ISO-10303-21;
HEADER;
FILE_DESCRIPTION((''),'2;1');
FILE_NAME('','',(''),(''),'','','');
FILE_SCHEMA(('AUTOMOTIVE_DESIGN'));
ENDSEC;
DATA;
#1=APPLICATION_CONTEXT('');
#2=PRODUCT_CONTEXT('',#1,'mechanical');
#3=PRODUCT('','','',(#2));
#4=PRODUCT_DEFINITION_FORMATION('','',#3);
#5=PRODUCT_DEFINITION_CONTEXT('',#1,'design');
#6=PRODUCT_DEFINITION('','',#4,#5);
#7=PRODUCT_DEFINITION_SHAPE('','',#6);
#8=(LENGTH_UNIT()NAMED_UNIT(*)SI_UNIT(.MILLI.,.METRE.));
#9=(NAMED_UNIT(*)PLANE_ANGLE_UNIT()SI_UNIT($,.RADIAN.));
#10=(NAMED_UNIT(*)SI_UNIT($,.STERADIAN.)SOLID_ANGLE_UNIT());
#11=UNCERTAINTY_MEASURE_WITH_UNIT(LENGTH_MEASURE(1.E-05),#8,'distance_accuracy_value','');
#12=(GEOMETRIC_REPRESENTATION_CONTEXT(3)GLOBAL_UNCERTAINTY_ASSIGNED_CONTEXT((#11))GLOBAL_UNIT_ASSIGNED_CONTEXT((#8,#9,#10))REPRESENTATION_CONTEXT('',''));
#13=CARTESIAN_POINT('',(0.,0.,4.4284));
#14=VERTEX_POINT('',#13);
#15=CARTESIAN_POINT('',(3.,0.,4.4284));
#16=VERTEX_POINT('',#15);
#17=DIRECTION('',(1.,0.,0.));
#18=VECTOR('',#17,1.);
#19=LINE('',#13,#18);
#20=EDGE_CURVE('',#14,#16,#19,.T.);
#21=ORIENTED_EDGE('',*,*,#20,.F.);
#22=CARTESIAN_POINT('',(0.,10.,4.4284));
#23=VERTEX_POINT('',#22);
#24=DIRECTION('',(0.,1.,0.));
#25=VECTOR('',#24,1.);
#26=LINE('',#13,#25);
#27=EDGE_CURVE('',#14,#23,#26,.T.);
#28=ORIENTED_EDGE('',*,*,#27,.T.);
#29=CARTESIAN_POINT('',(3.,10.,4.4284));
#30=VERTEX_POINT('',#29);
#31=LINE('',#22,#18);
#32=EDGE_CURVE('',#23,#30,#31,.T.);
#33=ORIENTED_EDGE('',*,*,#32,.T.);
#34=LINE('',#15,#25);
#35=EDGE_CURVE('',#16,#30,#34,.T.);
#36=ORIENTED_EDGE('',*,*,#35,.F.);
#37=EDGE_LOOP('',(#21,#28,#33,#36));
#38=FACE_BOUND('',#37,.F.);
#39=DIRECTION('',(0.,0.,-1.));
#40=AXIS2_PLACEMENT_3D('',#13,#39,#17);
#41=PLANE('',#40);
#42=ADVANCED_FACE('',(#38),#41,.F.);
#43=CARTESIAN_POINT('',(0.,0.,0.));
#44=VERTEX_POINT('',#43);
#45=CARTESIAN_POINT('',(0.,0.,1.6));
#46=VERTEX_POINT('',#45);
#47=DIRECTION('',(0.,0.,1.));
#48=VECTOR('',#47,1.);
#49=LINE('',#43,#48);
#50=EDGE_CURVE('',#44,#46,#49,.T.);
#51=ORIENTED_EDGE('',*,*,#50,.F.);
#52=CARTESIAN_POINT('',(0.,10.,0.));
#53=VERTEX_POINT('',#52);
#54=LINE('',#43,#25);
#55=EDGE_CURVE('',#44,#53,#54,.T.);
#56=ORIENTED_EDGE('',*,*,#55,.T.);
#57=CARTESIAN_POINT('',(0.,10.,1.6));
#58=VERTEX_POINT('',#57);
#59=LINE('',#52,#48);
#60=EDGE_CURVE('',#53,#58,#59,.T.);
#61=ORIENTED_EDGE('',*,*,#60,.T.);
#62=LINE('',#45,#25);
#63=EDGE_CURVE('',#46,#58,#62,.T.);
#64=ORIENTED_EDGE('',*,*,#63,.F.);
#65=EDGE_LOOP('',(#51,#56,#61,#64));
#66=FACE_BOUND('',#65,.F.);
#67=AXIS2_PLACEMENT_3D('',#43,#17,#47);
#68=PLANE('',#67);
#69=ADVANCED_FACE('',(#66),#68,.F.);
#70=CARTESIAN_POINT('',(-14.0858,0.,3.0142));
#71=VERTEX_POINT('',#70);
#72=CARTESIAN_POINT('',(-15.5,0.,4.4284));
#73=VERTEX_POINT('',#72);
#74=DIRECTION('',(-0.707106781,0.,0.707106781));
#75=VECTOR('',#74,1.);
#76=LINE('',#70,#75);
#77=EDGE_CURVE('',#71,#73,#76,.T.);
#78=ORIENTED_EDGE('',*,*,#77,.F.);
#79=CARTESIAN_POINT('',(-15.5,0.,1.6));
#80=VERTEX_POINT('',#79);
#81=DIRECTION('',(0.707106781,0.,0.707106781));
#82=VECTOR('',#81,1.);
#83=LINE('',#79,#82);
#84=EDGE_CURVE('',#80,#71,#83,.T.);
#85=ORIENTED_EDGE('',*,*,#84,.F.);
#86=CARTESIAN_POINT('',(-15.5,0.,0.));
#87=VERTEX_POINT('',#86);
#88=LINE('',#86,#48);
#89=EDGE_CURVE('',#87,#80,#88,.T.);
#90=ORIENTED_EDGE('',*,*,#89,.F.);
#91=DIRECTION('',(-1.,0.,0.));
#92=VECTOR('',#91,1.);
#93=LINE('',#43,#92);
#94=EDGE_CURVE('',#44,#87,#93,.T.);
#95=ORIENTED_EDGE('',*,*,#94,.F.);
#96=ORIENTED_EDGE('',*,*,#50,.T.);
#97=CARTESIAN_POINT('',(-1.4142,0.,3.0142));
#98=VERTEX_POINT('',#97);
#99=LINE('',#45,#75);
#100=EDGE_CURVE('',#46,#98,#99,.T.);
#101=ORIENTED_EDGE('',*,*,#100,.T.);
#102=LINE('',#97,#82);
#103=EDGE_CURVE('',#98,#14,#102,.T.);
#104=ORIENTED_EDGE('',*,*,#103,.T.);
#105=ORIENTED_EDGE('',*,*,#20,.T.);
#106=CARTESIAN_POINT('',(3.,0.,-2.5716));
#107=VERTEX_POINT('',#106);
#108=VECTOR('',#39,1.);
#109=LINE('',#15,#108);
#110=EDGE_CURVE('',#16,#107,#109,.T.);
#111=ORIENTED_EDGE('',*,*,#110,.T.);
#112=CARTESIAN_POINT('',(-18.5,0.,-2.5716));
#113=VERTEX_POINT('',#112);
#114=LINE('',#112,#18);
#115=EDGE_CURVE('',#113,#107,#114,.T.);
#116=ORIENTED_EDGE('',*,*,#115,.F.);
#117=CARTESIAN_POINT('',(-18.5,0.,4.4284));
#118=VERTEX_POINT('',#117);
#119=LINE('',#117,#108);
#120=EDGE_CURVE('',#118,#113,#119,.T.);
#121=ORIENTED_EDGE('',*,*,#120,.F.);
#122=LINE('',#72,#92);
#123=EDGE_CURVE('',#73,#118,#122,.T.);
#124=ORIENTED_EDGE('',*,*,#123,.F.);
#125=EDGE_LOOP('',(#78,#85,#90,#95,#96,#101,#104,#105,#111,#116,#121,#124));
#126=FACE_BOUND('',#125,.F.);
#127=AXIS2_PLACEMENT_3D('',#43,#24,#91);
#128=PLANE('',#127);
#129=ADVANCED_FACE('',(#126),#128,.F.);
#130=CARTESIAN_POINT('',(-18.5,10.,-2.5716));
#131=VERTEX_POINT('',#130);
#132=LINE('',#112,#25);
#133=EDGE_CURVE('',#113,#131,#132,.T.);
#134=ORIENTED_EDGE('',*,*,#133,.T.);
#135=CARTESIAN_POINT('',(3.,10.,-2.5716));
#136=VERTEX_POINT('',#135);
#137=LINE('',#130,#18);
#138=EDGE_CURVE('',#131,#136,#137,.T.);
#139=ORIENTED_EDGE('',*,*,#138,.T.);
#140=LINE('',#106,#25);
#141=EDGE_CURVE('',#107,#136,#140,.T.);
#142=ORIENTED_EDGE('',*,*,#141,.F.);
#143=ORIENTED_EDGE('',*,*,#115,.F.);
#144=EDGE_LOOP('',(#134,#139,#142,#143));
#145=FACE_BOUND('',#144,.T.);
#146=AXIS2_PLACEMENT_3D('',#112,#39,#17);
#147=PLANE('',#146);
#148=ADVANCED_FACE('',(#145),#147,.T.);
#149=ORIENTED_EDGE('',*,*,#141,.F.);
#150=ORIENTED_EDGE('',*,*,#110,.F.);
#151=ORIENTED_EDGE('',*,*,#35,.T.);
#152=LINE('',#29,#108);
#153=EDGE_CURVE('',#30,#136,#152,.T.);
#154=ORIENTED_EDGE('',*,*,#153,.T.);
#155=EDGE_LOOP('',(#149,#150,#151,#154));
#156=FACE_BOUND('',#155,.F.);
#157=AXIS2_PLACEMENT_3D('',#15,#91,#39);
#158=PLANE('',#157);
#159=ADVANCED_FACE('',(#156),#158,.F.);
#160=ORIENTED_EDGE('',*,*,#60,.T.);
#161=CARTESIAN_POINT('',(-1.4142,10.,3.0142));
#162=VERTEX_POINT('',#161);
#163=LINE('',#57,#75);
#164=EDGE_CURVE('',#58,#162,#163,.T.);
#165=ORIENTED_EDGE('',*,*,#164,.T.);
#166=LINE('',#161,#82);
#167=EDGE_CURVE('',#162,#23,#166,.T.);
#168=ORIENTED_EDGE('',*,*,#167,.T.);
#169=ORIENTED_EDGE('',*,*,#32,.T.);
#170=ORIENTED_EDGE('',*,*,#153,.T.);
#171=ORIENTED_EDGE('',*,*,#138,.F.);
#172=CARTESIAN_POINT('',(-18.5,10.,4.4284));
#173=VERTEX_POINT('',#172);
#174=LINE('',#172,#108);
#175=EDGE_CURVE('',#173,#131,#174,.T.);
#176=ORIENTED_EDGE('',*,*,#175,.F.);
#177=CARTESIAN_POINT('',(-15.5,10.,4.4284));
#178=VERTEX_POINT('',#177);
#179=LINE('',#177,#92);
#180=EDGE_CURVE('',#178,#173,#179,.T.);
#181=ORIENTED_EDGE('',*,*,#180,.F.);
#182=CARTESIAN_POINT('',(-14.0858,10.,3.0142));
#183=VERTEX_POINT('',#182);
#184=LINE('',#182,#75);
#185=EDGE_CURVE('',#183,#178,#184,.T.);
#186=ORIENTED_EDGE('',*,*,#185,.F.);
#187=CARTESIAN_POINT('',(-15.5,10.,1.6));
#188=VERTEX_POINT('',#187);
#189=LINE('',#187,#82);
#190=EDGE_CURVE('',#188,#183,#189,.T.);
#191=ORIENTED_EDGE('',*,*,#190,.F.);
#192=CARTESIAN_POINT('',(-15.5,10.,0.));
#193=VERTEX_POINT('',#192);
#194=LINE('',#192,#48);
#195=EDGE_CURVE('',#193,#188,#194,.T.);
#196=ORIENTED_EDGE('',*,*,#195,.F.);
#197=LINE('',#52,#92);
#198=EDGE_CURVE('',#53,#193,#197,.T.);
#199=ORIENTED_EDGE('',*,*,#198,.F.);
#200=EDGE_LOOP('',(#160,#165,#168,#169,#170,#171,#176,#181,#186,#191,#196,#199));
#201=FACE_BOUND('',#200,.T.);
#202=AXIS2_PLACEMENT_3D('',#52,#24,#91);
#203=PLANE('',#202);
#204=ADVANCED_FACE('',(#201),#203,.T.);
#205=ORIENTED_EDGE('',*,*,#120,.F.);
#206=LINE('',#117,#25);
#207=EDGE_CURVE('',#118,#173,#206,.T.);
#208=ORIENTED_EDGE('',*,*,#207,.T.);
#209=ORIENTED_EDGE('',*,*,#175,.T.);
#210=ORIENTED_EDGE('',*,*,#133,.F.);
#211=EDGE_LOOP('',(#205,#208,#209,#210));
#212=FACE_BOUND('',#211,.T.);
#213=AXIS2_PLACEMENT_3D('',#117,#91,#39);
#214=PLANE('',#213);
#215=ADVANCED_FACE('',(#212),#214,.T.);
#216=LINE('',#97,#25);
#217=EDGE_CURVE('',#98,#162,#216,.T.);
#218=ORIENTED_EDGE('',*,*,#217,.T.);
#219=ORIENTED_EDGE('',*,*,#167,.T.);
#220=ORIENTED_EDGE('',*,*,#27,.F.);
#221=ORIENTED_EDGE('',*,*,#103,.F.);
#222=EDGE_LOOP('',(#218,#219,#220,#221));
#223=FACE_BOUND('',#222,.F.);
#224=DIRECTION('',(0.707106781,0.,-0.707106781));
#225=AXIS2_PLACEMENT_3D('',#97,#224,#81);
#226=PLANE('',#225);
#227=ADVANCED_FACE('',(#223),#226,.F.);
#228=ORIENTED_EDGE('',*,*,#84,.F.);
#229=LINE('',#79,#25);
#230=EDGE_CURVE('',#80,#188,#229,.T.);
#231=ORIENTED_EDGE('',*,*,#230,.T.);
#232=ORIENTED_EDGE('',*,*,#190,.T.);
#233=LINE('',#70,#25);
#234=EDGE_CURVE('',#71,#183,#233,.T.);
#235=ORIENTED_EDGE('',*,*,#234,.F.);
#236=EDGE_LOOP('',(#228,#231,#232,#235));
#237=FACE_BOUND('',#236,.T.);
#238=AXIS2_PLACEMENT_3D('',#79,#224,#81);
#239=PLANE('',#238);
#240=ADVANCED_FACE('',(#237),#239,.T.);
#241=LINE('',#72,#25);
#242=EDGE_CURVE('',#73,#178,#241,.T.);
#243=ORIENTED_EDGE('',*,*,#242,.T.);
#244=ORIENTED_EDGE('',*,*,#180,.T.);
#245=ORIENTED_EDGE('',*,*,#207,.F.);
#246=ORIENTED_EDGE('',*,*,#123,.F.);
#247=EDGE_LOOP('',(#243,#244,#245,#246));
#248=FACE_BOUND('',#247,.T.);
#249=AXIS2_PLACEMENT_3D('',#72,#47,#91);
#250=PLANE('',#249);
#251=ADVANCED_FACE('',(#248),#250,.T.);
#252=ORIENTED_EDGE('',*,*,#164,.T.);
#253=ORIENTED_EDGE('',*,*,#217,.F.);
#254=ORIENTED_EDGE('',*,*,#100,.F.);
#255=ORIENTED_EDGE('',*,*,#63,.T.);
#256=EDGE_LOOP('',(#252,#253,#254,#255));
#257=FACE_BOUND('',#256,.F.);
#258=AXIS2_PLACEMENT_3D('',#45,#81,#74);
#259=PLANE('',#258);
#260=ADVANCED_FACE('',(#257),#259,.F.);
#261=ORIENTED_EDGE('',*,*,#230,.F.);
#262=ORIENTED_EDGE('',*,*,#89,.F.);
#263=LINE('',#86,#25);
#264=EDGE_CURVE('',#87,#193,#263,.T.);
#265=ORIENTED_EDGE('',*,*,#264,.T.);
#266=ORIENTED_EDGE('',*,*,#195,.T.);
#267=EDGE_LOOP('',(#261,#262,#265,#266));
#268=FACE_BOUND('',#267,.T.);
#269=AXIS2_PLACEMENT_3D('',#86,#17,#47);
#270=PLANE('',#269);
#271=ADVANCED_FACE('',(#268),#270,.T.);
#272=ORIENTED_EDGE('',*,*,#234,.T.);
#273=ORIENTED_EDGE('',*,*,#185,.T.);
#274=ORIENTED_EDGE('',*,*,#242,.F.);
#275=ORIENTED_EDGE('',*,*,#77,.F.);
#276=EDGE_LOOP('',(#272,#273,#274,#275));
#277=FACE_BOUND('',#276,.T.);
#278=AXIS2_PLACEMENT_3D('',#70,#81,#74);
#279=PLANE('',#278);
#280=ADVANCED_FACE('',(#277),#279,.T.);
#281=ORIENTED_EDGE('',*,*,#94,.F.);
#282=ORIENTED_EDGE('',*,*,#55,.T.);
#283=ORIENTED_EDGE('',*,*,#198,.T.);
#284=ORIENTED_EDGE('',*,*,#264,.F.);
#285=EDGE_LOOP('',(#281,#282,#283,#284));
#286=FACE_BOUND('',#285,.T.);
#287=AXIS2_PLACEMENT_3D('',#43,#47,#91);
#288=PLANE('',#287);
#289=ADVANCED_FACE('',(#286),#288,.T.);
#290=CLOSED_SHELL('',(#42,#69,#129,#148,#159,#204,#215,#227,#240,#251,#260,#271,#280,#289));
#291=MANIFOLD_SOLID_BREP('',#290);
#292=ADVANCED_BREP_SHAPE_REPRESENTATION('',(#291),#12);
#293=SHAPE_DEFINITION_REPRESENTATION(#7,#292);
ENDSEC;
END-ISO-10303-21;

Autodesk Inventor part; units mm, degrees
ref_plane "YZ Plane" through (0, 0, 0) normal (1, 0, 0) x (0, 1, 0)
ref_plane "XZ Plane" through (0, 0, 0) normal (0, 1, 0) x (-1, 0, 0)
ref_plane "XY Plane" through (0, 0, 0) normal (0, 0, 1) x (1, 0, 0)
sketch "Sketch1" plane through (0, 0, 0) normal (0, 1, 0) x (-1, 0, 0)
  line L0 (0, 0) -> (15.5, 0)
  line L1 (0, 0) -> (0, 1.6)
  line L2 (0, 1.6) -> (1.4142, 3.0142)
  line L3 (1.4142, 3.0142) -> (0, 4.4284)
  line L4 (0, 4.4284) -> (-3, 4.4284)
  line L5 (-3, 4.4284) -> (-3, -2.5716)
  line L6 (0, 0) -> (7.5, 0) construction
  line L7 (7.5, 0) -> (7.5, 8.2987) construction
  line L8 (15.5, 0) -> (15.5, 1.6)
  line L9 (15.5, 1.6) -> (14.0858, 3.0142)
  line L10 (14.0858, 3.0142) -> (15.5, 4.4284)
  line L11 (15.5, 4.4284) -> (18.5, 4.4284)
  line L12 (18.5, 4.4284) -> (18.5, -2.5716)
  line L13 (18.5, -2.5716) -> (-3, -2.5716)
  dimension "d0" = 15.5
  dimension "d1" = 1.6
  dimension "d2" = 2
  dimension "d3" = 135
  dimension "d4" = 2
  dimension "d5" = 3
  dimension "d6" = 7
  dimension "d7" = 7.5
  dimension "d8" = 1.6
  dimension "d9" = 2
  dimension "d10" = 135
  dimension "d11" = 2
  dimension "d12" = 3
  dimension "d13" = 7
extrude "Extrusion1" add sketch "Sketch1" along normal blind 10
properties part number "clip3"
